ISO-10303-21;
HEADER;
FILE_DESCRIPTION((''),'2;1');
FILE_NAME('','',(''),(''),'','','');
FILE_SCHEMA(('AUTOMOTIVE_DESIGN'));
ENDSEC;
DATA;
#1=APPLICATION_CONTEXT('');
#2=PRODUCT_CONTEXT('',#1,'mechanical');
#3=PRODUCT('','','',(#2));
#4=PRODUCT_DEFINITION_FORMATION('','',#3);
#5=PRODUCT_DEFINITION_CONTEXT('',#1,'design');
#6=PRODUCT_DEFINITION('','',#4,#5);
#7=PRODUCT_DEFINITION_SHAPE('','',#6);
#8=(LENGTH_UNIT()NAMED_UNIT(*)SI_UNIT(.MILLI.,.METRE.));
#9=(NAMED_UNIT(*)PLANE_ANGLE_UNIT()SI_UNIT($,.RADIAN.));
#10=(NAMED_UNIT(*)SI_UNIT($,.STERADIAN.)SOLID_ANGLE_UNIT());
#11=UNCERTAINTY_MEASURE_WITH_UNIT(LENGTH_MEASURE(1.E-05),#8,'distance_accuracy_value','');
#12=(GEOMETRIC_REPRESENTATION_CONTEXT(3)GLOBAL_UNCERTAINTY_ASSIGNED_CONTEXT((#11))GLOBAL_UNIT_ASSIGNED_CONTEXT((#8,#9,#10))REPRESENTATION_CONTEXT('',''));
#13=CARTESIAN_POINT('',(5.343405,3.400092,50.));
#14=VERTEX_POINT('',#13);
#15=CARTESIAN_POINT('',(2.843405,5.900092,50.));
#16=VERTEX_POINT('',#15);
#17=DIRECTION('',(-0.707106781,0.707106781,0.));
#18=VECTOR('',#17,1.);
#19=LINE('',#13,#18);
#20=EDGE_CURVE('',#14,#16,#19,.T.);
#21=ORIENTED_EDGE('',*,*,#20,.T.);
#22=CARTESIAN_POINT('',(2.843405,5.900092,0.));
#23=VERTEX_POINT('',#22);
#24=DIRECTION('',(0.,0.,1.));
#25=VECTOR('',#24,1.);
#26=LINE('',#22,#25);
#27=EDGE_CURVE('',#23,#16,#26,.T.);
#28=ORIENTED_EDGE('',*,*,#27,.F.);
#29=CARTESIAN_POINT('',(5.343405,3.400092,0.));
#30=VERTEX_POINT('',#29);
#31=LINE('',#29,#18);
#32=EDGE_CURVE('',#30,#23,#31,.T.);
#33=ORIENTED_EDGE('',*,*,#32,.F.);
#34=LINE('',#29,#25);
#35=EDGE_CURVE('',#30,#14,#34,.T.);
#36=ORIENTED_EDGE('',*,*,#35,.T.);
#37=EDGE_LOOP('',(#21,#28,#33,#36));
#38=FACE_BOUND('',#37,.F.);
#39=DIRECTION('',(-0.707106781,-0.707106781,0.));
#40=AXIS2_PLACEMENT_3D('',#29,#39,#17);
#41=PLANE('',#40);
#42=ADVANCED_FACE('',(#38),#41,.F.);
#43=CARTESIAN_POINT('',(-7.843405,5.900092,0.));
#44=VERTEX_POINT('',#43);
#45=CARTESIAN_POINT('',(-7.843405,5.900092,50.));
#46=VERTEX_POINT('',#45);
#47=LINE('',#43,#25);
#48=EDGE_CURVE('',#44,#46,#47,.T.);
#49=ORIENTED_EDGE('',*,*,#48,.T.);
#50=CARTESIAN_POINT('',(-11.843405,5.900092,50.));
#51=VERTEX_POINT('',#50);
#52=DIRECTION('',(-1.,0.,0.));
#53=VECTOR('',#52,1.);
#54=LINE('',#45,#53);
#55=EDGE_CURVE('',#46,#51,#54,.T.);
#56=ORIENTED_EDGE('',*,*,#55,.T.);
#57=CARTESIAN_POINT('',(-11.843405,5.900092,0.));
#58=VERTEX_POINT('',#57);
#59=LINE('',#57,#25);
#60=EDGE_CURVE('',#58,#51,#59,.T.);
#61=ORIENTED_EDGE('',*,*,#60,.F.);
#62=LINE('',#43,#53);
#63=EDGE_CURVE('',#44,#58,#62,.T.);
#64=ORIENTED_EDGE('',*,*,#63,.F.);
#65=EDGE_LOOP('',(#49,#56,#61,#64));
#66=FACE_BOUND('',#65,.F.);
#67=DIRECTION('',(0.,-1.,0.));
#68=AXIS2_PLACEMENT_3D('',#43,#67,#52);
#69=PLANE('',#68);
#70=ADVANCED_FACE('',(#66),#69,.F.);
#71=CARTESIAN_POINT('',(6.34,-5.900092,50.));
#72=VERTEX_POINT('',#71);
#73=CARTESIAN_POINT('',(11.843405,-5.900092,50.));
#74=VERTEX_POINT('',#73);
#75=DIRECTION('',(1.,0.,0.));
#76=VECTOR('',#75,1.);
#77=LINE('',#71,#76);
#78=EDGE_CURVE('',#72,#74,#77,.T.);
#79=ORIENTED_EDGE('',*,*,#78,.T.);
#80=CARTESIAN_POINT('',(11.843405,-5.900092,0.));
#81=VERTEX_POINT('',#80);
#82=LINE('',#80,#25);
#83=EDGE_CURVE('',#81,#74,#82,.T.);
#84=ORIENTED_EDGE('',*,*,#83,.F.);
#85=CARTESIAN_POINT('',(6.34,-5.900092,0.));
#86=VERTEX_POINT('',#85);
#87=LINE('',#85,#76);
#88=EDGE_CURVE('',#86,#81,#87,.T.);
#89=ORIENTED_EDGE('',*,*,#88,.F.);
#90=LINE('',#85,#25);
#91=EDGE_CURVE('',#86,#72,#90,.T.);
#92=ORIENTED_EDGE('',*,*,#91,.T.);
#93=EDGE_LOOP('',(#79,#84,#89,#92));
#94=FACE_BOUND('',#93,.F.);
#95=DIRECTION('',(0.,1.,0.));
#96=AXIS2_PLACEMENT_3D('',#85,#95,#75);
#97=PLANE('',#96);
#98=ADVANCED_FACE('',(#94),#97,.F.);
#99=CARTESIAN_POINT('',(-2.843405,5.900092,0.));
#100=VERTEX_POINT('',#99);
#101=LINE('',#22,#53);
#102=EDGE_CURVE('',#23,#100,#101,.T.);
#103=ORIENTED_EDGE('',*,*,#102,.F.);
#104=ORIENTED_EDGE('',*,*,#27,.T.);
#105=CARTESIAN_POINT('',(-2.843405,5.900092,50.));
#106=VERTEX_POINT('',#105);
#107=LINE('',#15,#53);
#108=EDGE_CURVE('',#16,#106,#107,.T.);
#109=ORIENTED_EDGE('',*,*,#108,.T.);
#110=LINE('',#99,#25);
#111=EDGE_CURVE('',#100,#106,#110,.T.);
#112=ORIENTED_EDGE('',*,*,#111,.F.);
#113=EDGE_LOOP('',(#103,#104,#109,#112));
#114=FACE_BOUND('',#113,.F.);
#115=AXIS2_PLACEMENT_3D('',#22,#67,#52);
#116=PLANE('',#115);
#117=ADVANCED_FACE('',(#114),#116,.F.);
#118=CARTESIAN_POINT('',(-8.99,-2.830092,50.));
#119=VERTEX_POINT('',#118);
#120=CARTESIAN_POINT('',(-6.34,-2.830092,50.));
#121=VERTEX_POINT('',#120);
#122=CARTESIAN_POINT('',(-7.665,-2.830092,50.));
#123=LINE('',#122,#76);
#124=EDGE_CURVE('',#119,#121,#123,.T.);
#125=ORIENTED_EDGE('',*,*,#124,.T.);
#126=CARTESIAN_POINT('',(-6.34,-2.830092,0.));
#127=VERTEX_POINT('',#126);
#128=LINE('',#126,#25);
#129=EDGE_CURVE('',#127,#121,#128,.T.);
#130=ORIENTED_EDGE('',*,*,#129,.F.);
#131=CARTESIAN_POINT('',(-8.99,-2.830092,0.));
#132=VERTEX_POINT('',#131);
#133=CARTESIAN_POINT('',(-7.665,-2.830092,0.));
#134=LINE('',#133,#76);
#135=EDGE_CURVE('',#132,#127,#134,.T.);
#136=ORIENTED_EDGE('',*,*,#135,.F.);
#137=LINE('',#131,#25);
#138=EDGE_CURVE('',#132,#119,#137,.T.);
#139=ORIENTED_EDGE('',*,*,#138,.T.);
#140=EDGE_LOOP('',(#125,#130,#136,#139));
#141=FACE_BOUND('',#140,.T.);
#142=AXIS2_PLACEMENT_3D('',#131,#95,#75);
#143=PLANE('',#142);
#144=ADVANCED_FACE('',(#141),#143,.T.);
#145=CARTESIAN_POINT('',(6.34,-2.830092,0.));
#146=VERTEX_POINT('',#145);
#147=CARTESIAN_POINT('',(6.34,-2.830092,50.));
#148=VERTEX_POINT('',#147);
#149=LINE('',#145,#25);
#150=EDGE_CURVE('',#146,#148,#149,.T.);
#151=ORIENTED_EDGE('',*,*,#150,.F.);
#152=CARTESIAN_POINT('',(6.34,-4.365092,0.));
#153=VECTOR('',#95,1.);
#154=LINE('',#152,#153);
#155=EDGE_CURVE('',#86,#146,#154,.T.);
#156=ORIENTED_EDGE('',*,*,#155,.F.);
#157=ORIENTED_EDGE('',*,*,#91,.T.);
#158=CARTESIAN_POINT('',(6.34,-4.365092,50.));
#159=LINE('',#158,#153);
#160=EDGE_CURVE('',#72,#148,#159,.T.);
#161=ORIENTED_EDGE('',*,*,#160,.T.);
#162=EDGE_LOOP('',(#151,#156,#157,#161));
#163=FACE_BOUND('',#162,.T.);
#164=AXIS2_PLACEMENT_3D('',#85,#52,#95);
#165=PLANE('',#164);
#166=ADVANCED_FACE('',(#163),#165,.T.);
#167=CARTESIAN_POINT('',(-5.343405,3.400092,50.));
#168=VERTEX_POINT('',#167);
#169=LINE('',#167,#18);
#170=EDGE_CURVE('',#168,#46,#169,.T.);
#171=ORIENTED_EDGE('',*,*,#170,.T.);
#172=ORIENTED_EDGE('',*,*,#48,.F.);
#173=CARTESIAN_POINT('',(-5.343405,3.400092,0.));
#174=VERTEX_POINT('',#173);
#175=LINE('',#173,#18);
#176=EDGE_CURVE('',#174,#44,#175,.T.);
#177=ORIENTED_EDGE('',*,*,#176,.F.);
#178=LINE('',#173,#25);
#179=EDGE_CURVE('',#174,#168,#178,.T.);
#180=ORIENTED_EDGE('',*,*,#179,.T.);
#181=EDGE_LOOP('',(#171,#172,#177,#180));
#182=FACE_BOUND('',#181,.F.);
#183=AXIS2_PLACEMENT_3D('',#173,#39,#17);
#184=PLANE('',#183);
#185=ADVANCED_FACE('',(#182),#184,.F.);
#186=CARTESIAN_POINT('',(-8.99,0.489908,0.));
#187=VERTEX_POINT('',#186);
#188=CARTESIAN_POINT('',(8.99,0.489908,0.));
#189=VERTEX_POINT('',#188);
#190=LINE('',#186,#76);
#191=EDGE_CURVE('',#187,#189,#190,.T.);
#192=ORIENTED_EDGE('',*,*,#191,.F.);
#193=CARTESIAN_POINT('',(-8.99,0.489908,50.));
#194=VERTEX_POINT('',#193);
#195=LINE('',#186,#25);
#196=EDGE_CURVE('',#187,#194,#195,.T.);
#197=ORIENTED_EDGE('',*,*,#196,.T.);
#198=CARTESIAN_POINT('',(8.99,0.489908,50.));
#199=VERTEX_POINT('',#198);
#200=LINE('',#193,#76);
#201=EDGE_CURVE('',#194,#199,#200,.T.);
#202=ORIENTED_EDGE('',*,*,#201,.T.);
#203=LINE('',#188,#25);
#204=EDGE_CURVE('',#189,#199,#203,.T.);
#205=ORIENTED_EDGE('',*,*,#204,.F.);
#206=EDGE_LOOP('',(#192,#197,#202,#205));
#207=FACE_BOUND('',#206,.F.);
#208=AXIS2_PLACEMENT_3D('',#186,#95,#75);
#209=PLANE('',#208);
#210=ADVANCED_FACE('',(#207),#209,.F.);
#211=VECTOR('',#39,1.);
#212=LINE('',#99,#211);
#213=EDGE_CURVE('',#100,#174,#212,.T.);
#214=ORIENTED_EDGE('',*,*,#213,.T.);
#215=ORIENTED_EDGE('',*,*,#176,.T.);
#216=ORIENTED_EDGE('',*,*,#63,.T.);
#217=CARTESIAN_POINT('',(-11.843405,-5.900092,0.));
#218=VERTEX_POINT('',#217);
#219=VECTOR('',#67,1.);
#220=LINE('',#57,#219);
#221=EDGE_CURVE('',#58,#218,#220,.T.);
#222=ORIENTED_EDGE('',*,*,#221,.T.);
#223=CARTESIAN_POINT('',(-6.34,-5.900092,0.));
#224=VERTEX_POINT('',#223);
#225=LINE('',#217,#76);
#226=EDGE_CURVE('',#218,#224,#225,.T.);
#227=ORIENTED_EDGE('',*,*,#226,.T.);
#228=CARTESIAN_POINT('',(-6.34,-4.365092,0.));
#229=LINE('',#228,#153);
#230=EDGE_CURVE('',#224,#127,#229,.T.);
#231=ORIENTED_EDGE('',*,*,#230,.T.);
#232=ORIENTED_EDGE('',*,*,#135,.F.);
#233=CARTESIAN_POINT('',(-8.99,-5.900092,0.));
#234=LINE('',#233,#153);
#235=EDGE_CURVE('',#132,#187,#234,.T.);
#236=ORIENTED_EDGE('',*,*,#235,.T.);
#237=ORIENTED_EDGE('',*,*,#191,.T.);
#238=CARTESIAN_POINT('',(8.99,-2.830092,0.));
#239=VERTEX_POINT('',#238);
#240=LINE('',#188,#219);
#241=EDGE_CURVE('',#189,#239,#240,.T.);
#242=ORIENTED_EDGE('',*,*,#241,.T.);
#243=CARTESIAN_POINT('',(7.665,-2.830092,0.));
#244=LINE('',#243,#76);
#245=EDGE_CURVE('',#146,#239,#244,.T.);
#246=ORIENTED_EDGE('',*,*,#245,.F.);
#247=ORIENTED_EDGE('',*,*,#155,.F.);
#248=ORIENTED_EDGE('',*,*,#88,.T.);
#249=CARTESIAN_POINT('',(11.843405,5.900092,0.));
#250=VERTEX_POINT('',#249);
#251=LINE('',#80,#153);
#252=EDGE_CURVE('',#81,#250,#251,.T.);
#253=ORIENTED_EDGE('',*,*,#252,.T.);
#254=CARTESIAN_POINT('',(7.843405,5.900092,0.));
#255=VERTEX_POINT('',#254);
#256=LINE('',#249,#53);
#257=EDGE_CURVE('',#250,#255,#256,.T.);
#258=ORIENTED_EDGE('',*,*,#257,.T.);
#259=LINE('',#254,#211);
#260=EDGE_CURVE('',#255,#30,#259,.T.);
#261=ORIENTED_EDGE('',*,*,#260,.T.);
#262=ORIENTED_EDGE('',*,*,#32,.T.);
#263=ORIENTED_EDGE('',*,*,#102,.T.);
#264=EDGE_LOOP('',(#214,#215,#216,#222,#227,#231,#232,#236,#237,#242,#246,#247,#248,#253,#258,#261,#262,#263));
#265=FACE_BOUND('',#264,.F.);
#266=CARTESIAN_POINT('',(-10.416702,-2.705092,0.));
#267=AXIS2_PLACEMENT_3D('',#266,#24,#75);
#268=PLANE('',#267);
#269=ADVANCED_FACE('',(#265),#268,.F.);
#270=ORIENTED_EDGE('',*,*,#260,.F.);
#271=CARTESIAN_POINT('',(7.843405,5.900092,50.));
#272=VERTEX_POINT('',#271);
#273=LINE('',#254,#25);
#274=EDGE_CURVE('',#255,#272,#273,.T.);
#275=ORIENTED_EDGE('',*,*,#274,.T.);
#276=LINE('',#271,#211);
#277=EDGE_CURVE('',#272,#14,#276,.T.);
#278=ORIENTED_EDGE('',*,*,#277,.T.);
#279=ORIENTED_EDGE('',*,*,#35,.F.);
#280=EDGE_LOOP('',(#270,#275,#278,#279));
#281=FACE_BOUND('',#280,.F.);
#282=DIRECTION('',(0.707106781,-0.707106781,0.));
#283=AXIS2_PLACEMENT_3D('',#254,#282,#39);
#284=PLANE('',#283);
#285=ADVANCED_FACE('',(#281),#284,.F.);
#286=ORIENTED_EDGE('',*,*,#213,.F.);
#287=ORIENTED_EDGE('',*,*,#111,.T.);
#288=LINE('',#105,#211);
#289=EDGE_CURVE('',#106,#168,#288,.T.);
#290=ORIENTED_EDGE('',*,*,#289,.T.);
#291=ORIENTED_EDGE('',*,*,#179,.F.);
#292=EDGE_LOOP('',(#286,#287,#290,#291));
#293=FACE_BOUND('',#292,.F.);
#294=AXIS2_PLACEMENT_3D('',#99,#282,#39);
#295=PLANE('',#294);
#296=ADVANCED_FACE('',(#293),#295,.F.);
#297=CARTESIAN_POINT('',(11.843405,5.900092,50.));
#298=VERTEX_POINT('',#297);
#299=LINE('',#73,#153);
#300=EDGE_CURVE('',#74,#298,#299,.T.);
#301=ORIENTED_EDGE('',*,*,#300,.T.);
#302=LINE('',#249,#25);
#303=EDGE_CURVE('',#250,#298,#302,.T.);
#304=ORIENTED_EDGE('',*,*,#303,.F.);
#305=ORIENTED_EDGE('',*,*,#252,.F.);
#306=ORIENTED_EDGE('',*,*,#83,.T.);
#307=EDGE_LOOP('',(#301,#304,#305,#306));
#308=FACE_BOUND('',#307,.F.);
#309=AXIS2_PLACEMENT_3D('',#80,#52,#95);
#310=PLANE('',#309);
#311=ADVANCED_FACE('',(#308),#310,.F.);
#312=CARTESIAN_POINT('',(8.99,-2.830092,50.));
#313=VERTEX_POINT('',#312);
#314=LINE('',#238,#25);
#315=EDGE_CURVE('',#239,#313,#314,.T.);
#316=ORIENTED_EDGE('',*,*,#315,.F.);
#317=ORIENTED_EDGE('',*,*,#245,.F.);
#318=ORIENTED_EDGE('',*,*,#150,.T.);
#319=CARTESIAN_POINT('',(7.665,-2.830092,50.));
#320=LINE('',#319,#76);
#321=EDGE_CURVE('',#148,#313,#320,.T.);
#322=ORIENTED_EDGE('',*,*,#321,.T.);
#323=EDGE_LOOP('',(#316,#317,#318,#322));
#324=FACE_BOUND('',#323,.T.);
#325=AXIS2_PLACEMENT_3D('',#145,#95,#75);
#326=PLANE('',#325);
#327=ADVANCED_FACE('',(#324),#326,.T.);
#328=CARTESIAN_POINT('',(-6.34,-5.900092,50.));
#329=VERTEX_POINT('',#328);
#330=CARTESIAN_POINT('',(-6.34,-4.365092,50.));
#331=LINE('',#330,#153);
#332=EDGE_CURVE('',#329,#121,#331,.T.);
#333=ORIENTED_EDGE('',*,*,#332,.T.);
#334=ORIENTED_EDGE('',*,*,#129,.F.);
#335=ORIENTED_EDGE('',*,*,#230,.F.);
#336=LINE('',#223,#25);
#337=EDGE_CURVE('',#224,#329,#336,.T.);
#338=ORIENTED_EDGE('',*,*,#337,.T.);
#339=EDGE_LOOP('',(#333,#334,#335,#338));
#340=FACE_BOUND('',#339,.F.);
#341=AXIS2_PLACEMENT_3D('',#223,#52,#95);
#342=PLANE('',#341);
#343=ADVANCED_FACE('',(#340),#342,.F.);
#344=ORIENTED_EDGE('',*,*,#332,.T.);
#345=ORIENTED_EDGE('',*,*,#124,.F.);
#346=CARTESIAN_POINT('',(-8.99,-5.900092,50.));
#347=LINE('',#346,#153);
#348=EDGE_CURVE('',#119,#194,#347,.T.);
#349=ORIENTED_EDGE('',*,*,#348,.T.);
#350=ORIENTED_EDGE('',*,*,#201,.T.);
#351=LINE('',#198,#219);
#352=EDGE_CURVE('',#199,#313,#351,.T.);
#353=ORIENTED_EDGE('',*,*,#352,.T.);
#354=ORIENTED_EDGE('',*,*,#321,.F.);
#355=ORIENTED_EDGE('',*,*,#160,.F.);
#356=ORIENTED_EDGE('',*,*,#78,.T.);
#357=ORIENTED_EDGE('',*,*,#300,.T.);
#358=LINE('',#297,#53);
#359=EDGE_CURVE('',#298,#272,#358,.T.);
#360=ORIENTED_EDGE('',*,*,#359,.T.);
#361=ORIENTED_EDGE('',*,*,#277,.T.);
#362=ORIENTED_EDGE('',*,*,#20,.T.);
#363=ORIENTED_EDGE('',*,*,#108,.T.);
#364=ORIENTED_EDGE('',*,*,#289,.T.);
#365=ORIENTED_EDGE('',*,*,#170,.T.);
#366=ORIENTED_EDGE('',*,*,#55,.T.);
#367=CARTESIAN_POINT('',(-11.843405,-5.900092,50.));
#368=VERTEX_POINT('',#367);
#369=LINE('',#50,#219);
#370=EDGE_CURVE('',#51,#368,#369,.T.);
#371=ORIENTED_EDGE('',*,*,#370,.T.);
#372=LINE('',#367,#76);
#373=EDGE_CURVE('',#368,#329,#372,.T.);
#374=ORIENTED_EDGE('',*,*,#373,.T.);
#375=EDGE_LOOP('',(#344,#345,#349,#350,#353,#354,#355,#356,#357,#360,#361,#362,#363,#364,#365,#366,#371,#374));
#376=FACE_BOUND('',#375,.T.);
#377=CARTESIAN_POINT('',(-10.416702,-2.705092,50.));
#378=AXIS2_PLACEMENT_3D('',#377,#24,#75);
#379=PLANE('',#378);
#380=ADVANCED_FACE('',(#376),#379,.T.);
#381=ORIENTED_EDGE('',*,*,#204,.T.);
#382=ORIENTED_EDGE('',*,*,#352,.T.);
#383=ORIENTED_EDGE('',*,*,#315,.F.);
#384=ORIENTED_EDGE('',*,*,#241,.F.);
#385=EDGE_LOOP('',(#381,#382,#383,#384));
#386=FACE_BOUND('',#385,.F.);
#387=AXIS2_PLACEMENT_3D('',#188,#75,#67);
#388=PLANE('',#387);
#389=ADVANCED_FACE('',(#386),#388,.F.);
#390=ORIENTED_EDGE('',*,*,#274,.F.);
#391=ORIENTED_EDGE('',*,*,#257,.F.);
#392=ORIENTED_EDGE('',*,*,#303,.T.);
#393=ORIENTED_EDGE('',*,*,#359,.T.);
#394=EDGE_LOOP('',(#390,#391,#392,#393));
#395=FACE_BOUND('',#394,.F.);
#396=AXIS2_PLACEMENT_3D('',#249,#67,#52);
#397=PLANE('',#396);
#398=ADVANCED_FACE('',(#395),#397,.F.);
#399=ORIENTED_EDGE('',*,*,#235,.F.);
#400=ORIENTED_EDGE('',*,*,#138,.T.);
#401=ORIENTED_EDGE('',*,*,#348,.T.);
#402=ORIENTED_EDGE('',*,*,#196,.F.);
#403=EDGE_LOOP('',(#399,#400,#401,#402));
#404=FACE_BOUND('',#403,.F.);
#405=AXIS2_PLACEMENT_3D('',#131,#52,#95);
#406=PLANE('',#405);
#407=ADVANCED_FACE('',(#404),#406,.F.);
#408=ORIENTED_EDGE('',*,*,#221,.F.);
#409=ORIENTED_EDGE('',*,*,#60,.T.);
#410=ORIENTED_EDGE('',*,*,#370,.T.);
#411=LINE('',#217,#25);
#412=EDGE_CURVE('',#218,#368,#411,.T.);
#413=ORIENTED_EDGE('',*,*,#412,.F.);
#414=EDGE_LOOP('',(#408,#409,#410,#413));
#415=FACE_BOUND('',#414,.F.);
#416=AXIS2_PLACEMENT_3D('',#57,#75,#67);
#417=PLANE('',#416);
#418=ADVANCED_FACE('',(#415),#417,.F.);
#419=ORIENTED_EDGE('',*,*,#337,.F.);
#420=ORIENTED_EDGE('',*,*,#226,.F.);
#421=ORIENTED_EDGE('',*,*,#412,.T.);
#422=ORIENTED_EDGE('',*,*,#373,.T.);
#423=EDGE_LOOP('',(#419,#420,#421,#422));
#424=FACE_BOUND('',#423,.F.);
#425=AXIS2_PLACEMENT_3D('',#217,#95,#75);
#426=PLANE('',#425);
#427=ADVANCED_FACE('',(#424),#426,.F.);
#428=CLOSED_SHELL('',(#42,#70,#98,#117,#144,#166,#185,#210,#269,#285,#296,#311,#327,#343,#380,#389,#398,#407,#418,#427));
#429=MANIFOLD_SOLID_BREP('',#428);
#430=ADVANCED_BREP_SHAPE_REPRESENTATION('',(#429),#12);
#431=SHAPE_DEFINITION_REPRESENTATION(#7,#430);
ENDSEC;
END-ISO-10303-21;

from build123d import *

# Parameters (mm, degrees)
F0_W     = 2.65
F0_H     = 3.07
F1_DEPTH = 50


with BuildPart() as f1:
    # F0 (on Top) → F1 (new body)
    with BuildSketch(Plane.XY):
        Polygon((-8.99, 0.489908), (-11.843405, 0.489908), (-11.843405, -5.900092), (-8.99, -5.900092), (-8.99, -2.830092), align=None)
        Polygon((-7.843405, 5.900092), (-11.843405, 5.900092), (-11.843405, 0.489908), (-8.99, 0.489908), (8.99, 0.489908), (11.843405, 0.489908), (11.843405, 5.900092), (7.843405, 5.900092), (5.343405, 3.400092), (2.843405, 5.900092), (-2.843405, 5.900092), (-5.343405, 3.400092), align=None)
        Polygon((11.843405, 0.489908), (8.99, 0.489908), (8.99, -2.830092), (8.99, -5.900092), (11.843405, -5.900092), align=None)
        with Locations((7.665, -4.365092)):
            Rectangle(F0_W, F0_H)
        with Locations((-7.665, -4.365092)):
            Rectangle(F0_W, F0_H)
    extrude(amount=F1_DEPTH)


solid = f1.part
